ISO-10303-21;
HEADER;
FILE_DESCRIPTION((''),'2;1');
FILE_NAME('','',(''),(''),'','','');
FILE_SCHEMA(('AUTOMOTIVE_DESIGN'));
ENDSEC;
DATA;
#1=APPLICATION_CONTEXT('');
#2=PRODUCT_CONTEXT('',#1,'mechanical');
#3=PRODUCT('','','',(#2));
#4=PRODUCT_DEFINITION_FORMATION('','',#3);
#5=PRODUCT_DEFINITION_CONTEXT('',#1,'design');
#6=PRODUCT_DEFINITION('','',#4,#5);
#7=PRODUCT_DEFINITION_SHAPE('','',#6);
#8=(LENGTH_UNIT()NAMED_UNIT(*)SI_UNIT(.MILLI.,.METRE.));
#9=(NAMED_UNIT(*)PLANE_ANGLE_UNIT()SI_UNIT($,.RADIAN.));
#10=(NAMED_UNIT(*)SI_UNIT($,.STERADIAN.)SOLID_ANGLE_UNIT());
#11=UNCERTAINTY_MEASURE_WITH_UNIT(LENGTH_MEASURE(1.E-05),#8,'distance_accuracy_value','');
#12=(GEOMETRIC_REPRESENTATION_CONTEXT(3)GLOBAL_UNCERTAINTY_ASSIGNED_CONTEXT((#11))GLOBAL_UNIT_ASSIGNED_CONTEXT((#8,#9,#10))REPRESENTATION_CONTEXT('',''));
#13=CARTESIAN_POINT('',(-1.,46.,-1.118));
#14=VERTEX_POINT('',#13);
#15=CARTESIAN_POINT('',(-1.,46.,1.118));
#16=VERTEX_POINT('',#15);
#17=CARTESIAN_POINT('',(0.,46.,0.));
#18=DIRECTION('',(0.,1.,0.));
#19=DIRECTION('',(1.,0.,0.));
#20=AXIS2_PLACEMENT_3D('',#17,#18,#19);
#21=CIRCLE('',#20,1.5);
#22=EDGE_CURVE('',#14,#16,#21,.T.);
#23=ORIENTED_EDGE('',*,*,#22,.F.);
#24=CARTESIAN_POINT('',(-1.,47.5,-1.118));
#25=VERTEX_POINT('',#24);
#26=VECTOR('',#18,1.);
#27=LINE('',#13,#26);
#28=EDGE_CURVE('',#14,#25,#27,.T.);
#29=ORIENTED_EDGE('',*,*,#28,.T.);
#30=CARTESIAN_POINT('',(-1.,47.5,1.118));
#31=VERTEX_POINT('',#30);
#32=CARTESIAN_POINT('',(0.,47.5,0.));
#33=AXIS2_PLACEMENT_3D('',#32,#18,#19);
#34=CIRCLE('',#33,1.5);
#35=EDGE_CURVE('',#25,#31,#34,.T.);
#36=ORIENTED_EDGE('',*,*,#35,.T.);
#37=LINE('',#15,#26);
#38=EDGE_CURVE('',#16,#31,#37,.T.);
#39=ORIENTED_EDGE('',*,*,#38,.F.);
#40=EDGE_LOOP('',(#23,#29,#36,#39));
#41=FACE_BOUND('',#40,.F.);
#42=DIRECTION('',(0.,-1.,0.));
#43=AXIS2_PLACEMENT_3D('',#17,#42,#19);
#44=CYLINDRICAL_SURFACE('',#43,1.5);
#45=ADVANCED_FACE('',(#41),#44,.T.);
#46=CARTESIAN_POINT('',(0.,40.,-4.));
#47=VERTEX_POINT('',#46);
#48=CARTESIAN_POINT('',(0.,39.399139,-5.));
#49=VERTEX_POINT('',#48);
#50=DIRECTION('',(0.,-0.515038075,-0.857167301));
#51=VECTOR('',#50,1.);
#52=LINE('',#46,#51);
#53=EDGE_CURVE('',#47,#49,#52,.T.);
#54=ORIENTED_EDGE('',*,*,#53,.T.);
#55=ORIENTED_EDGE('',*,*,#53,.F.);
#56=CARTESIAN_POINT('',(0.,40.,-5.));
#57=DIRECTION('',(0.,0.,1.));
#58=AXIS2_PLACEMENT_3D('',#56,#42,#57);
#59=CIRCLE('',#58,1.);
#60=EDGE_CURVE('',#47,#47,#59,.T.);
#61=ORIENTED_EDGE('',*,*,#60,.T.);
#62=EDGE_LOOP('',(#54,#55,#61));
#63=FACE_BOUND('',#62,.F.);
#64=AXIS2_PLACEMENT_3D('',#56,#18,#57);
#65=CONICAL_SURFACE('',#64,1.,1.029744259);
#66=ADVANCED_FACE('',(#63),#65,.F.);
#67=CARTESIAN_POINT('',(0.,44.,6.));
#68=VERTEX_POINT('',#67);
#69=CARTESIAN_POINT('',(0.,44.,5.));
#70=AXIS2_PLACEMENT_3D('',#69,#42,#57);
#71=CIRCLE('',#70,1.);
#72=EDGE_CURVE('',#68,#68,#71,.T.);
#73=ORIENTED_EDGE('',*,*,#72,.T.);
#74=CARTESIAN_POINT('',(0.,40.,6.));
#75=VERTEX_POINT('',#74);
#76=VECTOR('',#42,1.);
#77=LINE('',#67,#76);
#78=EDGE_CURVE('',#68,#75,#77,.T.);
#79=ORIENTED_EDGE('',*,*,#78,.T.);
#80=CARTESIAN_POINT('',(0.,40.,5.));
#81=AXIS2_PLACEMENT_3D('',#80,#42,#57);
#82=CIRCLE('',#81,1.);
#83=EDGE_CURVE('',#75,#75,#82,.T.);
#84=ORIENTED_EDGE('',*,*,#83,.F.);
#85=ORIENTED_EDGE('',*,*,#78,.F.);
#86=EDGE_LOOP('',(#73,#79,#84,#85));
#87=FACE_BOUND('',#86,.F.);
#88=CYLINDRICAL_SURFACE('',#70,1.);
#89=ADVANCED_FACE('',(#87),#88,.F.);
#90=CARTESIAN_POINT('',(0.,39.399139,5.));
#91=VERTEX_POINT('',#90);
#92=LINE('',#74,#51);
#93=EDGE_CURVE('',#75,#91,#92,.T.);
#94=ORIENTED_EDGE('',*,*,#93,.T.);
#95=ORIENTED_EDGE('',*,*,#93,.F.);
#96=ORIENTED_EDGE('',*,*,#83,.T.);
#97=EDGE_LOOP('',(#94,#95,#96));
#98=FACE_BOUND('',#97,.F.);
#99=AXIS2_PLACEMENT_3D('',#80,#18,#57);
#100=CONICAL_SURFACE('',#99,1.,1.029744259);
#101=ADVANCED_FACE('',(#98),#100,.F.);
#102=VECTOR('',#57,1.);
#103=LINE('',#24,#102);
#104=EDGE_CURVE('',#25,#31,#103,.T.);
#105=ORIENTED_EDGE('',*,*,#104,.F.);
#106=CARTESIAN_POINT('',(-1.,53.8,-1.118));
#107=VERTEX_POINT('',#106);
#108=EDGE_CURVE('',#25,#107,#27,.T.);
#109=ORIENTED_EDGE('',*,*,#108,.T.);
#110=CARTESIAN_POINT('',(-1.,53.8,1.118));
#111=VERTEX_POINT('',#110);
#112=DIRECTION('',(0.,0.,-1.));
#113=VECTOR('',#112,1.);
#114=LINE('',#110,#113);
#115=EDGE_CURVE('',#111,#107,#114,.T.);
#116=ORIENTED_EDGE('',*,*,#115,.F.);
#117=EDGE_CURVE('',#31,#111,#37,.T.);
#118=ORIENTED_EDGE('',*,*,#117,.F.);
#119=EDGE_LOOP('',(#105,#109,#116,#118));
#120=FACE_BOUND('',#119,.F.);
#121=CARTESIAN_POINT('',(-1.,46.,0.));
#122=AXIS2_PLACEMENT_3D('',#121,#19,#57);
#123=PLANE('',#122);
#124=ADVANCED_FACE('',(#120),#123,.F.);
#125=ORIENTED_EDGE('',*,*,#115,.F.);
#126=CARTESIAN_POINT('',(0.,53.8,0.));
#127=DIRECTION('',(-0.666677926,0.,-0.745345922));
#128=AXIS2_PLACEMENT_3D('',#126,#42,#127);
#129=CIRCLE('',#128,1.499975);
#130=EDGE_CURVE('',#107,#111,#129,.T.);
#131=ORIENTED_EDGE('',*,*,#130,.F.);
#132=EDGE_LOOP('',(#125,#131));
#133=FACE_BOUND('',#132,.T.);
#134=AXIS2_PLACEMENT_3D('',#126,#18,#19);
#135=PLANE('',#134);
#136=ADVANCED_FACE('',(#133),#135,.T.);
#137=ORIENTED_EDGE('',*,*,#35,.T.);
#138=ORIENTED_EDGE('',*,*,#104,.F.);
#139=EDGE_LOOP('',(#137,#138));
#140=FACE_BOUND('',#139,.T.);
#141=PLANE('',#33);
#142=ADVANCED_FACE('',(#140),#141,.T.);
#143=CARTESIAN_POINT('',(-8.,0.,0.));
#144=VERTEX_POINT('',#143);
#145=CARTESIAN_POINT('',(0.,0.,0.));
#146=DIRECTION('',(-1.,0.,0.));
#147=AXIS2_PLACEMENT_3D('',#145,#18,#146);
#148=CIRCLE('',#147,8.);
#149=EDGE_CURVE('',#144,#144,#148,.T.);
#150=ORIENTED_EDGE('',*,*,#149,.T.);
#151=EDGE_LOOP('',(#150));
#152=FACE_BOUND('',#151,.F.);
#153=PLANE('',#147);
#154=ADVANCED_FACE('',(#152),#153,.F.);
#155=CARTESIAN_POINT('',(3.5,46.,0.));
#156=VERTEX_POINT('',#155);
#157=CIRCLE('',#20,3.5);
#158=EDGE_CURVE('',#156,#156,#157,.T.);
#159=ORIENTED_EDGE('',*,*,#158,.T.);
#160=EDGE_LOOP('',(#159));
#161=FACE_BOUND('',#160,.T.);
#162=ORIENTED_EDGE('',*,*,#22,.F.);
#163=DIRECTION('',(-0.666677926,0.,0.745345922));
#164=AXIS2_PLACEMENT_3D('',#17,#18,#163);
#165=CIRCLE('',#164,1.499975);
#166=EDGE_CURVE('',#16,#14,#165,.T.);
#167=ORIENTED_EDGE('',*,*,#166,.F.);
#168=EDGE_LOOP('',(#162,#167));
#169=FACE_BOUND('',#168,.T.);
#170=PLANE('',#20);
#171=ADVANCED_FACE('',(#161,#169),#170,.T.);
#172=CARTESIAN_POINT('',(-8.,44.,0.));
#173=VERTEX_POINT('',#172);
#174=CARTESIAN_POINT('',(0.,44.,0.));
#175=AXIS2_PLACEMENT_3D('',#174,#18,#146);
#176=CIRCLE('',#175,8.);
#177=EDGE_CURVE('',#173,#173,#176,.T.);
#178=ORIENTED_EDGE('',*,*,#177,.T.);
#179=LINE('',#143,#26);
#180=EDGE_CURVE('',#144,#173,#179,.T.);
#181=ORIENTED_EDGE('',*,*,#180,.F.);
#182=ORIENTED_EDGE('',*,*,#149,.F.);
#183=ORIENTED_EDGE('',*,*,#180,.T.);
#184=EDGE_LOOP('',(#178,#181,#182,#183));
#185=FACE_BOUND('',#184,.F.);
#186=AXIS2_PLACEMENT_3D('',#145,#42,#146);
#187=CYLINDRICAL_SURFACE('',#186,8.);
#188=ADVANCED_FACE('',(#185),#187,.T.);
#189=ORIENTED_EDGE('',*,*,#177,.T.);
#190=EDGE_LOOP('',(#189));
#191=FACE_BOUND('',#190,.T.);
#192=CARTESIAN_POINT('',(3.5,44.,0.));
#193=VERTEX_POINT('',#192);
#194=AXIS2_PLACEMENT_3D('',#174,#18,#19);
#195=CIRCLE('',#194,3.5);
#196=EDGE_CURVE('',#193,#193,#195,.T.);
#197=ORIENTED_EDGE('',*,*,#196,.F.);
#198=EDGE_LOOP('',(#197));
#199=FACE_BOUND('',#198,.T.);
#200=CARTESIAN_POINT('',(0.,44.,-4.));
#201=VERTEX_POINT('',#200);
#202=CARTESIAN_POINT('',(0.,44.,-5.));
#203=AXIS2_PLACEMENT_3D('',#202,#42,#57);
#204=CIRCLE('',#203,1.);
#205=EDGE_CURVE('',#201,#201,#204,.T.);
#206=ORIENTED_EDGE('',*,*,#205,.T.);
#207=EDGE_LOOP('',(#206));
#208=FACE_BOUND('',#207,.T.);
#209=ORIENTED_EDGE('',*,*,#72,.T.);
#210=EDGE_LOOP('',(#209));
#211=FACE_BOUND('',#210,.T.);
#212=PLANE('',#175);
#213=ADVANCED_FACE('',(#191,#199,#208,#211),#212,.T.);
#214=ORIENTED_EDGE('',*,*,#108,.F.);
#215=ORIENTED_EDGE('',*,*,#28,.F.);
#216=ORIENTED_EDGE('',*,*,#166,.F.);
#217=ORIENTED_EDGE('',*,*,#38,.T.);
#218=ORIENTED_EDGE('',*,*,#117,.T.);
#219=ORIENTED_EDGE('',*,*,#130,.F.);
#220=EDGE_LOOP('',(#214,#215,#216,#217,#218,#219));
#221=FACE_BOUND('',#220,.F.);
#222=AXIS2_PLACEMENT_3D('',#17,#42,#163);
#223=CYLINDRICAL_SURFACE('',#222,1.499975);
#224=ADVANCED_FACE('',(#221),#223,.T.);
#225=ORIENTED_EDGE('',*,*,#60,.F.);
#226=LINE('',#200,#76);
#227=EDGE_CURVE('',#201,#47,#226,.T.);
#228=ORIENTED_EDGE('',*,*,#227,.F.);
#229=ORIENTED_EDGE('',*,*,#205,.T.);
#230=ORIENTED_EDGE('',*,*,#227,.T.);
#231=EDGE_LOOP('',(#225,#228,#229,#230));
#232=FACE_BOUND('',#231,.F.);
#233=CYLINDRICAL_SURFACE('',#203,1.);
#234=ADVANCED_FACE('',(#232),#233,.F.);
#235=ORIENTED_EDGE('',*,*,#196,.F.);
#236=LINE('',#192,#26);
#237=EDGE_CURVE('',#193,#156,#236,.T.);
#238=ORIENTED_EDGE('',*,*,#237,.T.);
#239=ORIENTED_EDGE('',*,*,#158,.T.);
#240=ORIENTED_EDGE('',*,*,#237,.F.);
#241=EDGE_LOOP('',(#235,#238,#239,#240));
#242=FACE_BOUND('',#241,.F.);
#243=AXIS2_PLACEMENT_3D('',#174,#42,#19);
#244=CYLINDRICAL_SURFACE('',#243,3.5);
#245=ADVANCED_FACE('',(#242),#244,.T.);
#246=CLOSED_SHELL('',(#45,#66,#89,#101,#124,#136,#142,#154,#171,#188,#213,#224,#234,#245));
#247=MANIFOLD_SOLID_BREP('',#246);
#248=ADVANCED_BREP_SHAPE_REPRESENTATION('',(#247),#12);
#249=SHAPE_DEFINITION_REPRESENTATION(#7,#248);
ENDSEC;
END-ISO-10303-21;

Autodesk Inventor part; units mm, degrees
ref_plane "YZ Plane" through (0, 0, 0) normal (1, 0, 0) x (0, 1, 0)
ref_plane "XZ Plane" through (0, 0, 0) normal (0, 1, 0) x (-1, 0, 0)
ref_plane "XY Plane" through (0, 0, 0) normal (0, 0, 1) x (1, 0, 0)
sketch "Boceto1" plane through (0, 0, 0) normal (0, 1, 0) x (-1, 0, 0)
  circle A0 centre (0, 0) radius 8
  dimension "d0" = 16
extrude "Extrusión1" add sketch "Boceto1" along normal blind 44
sketch "Boceto2" plane through (0, 44, 0) normal (0, 1, 0) x (1, 0, 0)
  circle A0 centre (0, 0) radius 3.5
  dimension "d3" = 7
extrude "Extrusión2" add sketch "Boceto2" along normal blind 2
sketch "Boceto3" plane through (0, 46, 0) normal (0, 1, 0) x (1, 0, 0)
  arc A0 (-1, -1.118) -> (-1, 1.118) centre (0, 0) ccw
  line L0 (1.5, 0) -> (-1, 0)
  line L1 (-1, 0) -> (-1, 1.118)
  line L2 (-1, 0) -> (-1, -1.118)
  dimension "d6" = 3
  dimension "d7" = 2.5
extrude "Extrusión3" add sketch "Boceto3" along normal blind 7.8
sketch "Boceto4" plane through (0, 46, 0) normal (0, 1, 0) x (1, 0, 0)
  line L0 (-1, 1.118) -> (-1, -1.118) projected
  circle A0 centre (0, 0) radius 1.5
extrude "Extrusión4" add sketch "Boceto4" along normal blind 1.5 contours L0 A0 picked at (-1.1631, -0.0599)
sketch "Boceto5" plane through (0, 44, 0) normal (0, 1, 0) x (1, 0, 0)
  circle A0 centre (0, 0) radius 1.5 projected
  circle A1 centre (0, 0) radius 5
  circle A2 centre (0, 5) radius 1
  circle A3 centre (0, -5) radius 1
  dimension "d12" = 10
  dimension "d13" = 2
  dimension "d14" = 2
hole "Agujero1" at (0, 44, -5) at (0, 44, 5) direction (0, -1, 0) diameter 2 depth 4 tip angle 118
sketch "Boceto6" plane through (0, 44, 0) normal (0, 1, 0) x (1, 0, 0)
  circle A0 centre (0, 5) radius 1 projected
  line L0 (0, 5) -> (0, -5)
  point P0 (0, 0)
properties part number "motor2"
